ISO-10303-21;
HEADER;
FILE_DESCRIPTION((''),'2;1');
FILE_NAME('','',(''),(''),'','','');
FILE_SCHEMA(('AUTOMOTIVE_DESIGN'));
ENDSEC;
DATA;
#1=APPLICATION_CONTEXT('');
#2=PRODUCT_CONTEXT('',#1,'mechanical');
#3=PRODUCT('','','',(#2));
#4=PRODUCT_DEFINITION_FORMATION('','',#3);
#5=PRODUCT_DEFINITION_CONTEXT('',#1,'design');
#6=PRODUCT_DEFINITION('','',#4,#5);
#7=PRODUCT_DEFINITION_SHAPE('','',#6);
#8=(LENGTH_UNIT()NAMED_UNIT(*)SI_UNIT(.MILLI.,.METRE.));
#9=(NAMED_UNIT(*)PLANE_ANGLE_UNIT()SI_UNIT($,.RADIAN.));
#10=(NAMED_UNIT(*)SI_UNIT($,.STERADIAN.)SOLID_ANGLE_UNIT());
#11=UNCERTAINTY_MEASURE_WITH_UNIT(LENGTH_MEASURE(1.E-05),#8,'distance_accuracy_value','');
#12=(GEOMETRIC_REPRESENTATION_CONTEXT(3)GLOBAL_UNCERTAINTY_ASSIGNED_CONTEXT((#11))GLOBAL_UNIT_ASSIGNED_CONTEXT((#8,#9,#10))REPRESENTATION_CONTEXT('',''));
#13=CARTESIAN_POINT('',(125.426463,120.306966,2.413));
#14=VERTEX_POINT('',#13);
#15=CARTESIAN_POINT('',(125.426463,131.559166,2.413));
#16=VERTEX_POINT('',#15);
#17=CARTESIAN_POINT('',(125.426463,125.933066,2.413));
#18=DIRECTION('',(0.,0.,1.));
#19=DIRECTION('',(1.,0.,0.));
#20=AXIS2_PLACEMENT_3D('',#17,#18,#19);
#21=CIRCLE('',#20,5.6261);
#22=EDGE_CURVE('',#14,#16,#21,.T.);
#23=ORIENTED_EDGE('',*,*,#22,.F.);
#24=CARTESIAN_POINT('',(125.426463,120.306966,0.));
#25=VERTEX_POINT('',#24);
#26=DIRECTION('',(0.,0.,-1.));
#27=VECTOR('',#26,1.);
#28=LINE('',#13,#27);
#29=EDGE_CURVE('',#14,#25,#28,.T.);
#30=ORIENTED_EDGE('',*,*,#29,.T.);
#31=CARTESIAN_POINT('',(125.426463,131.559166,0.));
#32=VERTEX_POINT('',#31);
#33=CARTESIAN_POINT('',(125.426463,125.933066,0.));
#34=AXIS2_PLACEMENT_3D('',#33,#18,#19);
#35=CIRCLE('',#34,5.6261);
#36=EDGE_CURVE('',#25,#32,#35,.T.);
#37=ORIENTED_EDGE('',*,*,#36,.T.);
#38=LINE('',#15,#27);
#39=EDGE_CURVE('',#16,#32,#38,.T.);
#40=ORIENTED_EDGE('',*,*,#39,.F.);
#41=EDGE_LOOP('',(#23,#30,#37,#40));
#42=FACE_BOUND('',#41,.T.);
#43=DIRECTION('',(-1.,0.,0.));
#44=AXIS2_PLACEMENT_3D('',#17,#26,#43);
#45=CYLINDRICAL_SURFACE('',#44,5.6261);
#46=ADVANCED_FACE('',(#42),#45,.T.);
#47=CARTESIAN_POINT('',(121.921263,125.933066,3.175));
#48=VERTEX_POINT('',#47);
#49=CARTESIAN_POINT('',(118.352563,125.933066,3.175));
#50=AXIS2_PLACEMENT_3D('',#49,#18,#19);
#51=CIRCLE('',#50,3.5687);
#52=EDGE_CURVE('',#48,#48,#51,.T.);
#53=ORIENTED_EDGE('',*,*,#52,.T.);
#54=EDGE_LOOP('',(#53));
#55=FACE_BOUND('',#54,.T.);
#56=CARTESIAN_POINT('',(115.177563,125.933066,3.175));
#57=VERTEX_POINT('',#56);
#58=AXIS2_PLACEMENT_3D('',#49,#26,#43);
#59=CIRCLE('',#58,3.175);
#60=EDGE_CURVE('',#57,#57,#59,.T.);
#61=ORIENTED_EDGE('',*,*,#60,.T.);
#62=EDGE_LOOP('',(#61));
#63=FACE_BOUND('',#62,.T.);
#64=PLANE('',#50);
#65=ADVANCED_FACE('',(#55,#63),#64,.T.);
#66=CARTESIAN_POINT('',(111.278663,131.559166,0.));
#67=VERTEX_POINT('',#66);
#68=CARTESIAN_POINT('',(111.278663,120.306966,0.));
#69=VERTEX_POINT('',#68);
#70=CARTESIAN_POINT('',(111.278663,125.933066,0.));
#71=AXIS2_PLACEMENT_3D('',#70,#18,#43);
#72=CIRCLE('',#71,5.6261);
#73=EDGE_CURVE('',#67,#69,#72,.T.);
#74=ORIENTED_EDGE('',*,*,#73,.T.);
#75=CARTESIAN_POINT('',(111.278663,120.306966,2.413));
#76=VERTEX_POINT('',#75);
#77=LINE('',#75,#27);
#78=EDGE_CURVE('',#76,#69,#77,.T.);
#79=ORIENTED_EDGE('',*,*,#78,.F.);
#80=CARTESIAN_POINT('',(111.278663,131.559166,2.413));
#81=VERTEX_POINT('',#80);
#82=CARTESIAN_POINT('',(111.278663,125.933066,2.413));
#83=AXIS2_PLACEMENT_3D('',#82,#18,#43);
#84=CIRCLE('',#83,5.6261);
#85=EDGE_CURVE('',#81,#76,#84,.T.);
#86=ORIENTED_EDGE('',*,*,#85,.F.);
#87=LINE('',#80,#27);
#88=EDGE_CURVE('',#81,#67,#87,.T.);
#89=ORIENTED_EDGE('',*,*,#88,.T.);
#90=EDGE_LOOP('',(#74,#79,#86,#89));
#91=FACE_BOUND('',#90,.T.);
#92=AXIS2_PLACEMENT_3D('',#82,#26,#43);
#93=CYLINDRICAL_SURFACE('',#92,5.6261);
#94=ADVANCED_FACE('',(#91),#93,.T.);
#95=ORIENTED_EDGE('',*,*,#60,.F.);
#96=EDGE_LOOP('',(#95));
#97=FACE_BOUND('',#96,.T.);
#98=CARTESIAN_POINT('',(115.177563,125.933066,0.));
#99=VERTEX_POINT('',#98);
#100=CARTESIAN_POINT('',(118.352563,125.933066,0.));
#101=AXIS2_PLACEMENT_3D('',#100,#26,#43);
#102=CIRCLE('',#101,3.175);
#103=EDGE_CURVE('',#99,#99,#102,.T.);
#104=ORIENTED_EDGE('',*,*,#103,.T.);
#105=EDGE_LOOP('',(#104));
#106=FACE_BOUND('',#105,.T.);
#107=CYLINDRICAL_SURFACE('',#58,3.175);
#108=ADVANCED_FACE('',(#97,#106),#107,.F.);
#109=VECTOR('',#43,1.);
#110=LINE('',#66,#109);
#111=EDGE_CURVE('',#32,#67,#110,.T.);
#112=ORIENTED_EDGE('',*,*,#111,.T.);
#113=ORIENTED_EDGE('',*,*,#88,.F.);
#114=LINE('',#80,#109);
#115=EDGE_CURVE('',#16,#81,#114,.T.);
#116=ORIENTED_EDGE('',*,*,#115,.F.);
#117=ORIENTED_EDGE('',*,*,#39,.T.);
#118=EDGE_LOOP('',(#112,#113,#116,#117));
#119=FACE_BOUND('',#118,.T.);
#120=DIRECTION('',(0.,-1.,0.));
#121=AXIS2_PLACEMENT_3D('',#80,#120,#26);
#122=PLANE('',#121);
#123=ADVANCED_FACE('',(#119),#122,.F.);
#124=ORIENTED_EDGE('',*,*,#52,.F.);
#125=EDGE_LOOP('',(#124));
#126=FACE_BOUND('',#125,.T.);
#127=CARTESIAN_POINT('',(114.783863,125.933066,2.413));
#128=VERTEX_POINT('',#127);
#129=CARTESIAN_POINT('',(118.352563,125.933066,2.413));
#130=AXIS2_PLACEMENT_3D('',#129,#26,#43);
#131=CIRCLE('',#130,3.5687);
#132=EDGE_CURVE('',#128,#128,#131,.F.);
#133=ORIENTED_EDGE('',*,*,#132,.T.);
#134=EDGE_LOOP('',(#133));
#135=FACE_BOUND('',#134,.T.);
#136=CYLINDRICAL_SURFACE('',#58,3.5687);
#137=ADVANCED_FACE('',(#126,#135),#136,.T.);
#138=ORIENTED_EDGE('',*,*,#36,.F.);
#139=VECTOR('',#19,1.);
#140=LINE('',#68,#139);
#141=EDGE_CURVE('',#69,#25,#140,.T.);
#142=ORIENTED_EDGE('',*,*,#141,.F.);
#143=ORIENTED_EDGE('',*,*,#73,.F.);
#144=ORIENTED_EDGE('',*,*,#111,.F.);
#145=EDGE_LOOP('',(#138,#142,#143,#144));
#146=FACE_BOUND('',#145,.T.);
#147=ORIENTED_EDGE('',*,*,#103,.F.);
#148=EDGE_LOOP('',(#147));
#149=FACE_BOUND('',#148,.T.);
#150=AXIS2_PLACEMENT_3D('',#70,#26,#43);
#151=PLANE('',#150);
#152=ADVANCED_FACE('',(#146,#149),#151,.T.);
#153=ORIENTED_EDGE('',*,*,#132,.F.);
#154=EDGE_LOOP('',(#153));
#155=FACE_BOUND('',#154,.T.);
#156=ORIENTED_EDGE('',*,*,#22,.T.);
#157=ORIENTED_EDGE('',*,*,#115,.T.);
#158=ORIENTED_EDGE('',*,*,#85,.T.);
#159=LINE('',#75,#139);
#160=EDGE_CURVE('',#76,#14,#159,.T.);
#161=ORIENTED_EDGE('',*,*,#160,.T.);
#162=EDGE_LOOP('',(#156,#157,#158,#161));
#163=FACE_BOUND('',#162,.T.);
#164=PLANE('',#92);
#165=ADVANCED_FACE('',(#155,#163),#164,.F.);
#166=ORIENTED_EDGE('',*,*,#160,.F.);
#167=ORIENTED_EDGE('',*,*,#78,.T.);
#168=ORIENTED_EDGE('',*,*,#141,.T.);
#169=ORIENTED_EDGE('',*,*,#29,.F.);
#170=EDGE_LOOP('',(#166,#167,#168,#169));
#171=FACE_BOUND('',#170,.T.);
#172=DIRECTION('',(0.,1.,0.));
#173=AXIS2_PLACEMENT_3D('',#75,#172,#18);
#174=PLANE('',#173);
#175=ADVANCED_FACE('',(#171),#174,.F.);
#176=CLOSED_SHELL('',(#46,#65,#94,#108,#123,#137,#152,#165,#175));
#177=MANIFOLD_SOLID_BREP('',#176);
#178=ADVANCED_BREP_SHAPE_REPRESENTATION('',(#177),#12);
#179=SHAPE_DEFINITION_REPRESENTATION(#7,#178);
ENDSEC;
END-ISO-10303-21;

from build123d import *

# Parameters (mm, degrees)
EXTRUDE1_DEPTH     = 2.413
SKETCH4_R          = 3.5687
EXTRUDE3_DEPTH     = 0.762
SKETCH6_R          = 3.175
CUT_EXTRUDE1_DEPTH = 4.175


with BuildPart() as part:
    # Sketch1 → Extrude1 (new body)
    with BuildSketch(Plane.XY):
        with BuildLine():
            Line((111.27866266, 131.559165896), (125.42646266, 131.559165896))
            ThreePointArc((125.42646266, 131.559165896), (131.05256266, 125.933065896), (125.42646266, 120.306965896))
            Line((125.42646266, 120.306965896), (111.27866266, 120.306965896))
            ThreePointArc((111.27866266, 120.306965896), (105.65256266, 125.933065896), (111.27866266, 131.559165896))
        make_face()
    extrude(amount=EXTRUDE1_DEPTH)

    # Sketch4 → Extrude3 (add)
    with BuildSketch(Plane.XY.offset(2.413)):
        with Locations((118.35256266, 125.933065896)):
            Circle(SKETCH4_R)
    extrude(amount=EXTRUDE3_DEPTH)

    # Sketch6 → Cut-Extrude1 (cut, through all)
    with BuildSketch(Plane(origin=(0, 0, 0), x_dir=(-1, 0, 0), z_dir=(0, 0, -1))):
        with Locations((-118.35256266, 125.933065896)):
            Circle(SKETCH6_R)
    extrude(amount=-CUT_EXTRUDE1_DEPTH, mode=Mode.SUBTRACT)


solid = part.part
